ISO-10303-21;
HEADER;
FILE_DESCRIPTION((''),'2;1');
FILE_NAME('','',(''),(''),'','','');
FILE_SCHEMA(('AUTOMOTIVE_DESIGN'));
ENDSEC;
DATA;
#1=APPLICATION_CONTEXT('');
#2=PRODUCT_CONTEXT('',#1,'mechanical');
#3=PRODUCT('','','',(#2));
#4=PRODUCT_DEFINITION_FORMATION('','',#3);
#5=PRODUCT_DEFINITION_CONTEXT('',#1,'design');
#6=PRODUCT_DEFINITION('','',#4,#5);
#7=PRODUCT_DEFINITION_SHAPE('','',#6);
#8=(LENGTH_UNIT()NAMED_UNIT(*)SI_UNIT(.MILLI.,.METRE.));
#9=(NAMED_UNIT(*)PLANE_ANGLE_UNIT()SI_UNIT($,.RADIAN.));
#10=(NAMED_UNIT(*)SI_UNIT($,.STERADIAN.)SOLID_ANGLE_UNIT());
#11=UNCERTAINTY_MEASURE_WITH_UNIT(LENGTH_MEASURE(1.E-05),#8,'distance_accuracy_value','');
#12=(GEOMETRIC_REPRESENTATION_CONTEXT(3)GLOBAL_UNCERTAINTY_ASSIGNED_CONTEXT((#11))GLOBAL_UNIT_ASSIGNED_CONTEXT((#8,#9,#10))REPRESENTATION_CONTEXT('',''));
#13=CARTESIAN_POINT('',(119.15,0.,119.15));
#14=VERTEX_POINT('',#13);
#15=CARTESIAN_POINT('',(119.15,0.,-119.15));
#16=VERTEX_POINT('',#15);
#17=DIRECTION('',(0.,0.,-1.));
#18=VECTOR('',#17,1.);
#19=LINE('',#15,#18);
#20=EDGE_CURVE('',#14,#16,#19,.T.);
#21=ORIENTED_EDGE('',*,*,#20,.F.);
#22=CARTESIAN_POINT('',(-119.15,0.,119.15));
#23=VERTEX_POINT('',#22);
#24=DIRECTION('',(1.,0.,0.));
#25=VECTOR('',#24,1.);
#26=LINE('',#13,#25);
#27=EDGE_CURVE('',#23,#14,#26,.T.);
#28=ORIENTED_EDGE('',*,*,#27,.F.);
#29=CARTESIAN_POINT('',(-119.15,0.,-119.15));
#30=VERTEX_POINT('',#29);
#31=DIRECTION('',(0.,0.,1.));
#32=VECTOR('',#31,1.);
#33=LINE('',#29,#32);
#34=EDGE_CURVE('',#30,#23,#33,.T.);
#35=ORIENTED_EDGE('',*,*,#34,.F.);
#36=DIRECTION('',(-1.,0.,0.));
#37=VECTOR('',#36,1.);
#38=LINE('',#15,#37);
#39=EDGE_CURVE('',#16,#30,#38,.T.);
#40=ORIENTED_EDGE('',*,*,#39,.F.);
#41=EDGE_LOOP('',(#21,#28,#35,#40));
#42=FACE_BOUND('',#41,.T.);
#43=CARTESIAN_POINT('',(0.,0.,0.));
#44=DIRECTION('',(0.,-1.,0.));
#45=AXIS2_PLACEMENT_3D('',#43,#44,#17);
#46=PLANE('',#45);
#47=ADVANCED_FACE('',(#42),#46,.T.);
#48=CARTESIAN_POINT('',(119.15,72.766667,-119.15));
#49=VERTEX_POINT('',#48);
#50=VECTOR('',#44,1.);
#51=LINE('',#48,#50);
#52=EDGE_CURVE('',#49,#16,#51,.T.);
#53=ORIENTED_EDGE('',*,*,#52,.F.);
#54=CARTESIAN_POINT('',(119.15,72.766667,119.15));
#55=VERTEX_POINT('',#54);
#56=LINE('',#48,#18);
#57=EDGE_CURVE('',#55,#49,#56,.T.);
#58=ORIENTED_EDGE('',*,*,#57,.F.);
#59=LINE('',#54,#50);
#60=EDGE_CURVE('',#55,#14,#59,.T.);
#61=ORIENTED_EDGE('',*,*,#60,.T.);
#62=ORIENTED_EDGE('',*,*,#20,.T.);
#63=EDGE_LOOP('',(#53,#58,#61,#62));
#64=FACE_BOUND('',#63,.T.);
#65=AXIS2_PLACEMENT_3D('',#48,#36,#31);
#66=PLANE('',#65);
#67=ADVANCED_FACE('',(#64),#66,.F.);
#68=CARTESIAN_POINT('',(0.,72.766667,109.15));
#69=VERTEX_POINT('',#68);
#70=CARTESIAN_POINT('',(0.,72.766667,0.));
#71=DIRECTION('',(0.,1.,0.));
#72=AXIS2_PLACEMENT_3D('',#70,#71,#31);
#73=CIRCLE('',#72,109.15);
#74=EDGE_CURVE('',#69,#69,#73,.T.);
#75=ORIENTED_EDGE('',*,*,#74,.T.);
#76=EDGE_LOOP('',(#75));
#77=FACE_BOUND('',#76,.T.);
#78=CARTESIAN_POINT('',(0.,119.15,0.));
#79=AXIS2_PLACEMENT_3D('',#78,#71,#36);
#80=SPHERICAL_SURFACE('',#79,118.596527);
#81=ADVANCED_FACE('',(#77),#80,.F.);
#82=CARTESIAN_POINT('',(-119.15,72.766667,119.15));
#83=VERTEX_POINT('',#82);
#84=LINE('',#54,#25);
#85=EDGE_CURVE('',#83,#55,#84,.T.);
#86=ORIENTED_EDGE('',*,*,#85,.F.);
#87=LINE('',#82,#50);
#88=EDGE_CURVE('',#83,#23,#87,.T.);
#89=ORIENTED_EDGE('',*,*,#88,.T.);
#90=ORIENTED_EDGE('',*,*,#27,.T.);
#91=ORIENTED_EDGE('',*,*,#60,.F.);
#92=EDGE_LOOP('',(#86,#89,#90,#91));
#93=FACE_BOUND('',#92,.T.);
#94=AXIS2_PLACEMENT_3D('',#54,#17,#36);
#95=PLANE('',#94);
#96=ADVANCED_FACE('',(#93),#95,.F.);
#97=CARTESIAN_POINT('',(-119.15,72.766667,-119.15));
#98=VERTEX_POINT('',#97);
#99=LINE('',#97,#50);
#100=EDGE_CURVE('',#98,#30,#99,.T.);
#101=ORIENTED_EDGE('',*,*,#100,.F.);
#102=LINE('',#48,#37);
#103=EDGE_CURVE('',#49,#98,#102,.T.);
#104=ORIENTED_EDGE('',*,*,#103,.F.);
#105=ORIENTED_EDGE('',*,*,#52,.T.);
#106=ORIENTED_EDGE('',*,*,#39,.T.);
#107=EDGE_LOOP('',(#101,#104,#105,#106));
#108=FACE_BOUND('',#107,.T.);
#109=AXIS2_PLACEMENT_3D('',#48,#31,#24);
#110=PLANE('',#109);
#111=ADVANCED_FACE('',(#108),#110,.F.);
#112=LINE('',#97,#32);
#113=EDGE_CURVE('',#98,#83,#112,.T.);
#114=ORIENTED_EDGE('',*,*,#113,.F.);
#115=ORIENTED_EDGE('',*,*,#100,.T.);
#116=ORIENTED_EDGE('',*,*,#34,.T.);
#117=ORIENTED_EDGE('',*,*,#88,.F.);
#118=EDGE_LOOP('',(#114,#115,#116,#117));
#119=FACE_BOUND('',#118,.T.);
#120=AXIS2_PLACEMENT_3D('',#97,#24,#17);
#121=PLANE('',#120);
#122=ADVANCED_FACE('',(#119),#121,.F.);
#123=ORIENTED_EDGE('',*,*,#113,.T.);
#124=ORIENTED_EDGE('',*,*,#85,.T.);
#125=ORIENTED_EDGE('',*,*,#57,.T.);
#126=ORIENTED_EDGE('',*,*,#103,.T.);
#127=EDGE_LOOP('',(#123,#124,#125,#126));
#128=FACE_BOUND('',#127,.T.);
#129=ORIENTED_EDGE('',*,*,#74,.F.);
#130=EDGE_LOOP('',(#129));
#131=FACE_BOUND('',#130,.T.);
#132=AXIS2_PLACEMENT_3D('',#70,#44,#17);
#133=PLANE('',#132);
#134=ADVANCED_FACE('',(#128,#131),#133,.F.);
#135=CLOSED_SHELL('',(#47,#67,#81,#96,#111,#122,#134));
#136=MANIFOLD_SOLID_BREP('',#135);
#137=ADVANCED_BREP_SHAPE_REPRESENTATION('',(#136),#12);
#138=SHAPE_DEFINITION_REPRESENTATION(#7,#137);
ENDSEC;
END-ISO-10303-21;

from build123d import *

# Parameters (mm, degrees)
SKETCH1_W           = 238.3
SKETCH1_H           = 238.3
BOSS_EXTRUDE1_DEPTH = 72.766666667


with BuildPart() as part:
    # Sketch1 → Boss-Extrude1 (new body)
    with BuildSketch(Plane(origin=(0, 0, 0), x_dir=(1, 0, 0), z_dir=(0, 1, 0))):
        Rectangle(SKETCH1_W, SKETCH1_H)
    extrude(amount=BOSS_EXTRUDE1_DEPTH)

    # Sketch3 → Cut-Revolve8 (revolve, cut)
    with BuildSketch(Plane.XY):
        with BuildLine():
            Line((-109.15, 72.766666667), (0, 72.766666667))
            Line((0, 72.766666667), (0, 10))
            Line((0, 10), (0, 0.553473444))
            ThreePointArc((0, 0.553473444), (-65.437886151, 20.240853976), (-109.15, 72.766666667))
        make_face()
    revolve(axis=Axis((0, 72.766666667, 0), (0, -1, 0)), mode=Mode.SUBTRACT)


solid = part.part
